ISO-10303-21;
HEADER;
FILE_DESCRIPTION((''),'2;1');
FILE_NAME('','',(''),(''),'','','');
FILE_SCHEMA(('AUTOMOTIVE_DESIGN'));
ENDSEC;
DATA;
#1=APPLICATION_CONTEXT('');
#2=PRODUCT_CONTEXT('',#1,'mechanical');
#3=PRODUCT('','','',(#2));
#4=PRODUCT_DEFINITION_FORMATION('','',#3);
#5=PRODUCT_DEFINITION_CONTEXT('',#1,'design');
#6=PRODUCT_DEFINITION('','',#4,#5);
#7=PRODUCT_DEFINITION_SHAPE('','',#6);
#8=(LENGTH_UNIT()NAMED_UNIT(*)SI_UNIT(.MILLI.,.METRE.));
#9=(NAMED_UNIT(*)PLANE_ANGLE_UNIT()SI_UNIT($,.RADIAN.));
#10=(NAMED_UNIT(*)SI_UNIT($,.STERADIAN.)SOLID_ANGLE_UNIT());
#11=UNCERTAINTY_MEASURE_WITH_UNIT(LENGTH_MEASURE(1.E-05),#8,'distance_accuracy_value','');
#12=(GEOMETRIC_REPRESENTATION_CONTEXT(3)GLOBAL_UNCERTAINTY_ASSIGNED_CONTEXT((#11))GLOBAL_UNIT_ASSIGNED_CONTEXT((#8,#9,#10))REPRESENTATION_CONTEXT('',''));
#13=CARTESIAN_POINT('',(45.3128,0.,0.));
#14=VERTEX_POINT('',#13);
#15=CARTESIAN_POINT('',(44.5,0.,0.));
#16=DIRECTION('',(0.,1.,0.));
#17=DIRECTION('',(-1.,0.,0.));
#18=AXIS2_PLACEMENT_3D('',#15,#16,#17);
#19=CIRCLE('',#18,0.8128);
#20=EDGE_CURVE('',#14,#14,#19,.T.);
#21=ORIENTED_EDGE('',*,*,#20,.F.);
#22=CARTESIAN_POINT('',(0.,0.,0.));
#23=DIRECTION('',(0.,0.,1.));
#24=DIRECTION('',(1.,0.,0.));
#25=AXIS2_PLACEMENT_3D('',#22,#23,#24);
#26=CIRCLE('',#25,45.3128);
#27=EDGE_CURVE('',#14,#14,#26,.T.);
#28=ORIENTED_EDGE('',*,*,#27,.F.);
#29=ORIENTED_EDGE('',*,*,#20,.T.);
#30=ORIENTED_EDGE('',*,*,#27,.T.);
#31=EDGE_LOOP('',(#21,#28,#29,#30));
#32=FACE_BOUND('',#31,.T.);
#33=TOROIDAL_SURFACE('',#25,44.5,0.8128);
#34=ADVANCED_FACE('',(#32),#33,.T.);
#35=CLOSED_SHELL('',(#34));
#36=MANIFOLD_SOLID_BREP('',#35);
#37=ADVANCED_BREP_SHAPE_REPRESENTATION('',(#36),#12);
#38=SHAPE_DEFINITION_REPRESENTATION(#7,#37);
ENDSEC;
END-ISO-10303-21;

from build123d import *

# Parameters (mm, degrees)
SWEEP1_PROFILE_R = 0.8128


with BuildPart() as part:
    # Sweep1: sweep along a path in Sketch1
    with BuildLine(Plane.XY) as sweep1_path:
        CenterArc((0, 0), 44.5, 0, 360)
    # Sweep1 profile (on start of the path) → Sweep1 (sweep)
    with BuildSketch(Plane(origin=(44.5, 0, 0), x_dir=(0, 0, 1), z_dir=(0, 1, 0))):
        Circle(SWEEP1_PROFILE_R)
    sweep(path=sweep1_path.line)


solid = part.part
